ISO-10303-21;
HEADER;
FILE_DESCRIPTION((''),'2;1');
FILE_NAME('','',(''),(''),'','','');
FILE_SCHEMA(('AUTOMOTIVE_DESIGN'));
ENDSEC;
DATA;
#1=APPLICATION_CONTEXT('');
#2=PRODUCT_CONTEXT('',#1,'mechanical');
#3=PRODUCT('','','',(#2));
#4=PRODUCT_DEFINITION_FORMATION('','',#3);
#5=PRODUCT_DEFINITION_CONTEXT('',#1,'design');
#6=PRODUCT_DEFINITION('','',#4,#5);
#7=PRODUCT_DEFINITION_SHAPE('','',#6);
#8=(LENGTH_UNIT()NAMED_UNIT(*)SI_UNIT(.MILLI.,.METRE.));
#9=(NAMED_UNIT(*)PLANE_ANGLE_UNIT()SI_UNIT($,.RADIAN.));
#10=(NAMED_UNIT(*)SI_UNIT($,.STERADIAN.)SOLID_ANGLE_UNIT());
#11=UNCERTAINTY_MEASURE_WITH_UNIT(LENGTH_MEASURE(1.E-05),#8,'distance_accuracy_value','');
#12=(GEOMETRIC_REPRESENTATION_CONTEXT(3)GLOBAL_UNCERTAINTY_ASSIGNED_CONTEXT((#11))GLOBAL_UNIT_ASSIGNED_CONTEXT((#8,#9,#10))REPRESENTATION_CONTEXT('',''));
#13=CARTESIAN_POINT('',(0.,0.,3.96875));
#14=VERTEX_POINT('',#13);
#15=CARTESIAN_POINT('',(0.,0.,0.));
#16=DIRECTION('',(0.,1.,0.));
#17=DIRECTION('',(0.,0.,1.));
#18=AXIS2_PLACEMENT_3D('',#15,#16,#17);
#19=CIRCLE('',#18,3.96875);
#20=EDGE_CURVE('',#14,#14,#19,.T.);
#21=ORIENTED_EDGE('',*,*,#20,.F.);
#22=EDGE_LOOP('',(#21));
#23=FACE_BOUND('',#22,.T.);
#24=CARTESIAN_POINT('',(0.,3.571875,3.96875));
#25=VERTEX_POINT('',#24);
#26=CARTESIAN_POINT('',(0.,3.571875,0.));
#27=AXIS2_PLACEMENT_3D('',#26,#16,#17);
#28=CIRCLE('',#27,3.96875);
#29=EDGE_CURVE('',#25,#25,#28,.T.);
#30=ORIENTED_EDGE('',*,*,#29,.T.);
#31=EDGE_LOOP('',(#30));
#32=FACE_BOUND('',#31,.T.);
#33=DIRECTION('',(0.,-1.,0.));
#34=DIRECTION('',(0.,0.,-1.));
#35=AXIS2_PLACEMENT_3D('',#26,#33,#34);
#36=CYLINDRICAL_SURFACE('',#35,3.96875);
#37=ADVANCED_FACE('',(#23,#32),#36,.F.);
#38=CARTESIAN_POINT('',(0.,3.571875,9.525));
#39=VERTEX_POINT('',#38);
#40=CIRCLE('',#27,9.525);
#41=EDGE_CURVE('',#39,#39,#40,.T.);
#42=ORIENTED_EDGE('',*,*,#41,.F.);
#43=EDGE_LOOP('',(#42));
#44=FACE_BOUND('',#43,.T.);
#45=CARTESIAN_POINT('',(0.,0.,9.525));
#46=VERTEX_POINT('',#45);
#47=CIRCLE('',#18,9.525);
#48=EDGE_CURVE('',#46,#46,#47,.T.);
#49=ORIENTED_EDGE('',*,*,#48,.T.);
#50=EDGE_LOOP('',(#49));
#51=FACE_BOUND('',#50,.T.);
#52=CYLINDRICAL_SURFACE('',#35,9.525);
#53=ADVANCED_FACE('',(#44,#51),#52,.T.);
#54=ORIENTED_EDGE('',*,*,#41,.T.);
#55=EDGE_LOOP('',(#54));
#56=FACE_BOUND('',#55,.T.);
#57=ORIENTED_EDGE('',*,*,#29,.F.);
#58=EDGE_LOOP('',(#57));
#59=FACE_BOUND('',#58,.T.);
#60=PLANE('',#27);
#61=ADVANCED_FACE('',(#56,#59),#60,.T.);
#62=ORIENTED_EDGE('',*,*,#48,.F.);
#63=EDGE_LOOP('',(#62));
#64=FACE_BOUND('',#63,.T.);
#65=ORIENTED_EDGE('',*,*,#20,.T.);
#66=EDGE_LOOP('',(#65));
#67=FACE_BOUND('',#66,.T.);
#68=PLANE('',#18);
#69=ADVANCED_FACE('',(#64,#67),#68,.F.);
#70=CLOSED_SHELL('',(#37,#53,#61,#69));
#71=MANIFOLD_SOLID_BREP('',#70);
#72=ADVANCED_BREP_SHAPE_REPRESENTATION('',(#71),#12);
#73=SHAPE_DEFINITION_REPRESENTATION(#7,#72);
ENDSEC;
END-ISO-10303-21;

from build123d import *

# Parameters (mm, degrees)
SKETCH1_R      = 9.525
SKETCH1_R_2    = 3.96875
EXTRUDE1_DEPTH = 3.571875


with BuildPart() as part:
    # Sketch1 → Extrude1 (new body)
    with BuildSketch(Plane(origin=(0, 0, 0), x_dir=(1, 0, 0), z_dir=(0, 1, 0))):
        Circle(SKETCH1_R)
        Circle(SKETCH1_R_2, mode=Mode.SUBTRACT)
    extrude(amount=EXTRUDE1_DEPTH)


solid = part.part
